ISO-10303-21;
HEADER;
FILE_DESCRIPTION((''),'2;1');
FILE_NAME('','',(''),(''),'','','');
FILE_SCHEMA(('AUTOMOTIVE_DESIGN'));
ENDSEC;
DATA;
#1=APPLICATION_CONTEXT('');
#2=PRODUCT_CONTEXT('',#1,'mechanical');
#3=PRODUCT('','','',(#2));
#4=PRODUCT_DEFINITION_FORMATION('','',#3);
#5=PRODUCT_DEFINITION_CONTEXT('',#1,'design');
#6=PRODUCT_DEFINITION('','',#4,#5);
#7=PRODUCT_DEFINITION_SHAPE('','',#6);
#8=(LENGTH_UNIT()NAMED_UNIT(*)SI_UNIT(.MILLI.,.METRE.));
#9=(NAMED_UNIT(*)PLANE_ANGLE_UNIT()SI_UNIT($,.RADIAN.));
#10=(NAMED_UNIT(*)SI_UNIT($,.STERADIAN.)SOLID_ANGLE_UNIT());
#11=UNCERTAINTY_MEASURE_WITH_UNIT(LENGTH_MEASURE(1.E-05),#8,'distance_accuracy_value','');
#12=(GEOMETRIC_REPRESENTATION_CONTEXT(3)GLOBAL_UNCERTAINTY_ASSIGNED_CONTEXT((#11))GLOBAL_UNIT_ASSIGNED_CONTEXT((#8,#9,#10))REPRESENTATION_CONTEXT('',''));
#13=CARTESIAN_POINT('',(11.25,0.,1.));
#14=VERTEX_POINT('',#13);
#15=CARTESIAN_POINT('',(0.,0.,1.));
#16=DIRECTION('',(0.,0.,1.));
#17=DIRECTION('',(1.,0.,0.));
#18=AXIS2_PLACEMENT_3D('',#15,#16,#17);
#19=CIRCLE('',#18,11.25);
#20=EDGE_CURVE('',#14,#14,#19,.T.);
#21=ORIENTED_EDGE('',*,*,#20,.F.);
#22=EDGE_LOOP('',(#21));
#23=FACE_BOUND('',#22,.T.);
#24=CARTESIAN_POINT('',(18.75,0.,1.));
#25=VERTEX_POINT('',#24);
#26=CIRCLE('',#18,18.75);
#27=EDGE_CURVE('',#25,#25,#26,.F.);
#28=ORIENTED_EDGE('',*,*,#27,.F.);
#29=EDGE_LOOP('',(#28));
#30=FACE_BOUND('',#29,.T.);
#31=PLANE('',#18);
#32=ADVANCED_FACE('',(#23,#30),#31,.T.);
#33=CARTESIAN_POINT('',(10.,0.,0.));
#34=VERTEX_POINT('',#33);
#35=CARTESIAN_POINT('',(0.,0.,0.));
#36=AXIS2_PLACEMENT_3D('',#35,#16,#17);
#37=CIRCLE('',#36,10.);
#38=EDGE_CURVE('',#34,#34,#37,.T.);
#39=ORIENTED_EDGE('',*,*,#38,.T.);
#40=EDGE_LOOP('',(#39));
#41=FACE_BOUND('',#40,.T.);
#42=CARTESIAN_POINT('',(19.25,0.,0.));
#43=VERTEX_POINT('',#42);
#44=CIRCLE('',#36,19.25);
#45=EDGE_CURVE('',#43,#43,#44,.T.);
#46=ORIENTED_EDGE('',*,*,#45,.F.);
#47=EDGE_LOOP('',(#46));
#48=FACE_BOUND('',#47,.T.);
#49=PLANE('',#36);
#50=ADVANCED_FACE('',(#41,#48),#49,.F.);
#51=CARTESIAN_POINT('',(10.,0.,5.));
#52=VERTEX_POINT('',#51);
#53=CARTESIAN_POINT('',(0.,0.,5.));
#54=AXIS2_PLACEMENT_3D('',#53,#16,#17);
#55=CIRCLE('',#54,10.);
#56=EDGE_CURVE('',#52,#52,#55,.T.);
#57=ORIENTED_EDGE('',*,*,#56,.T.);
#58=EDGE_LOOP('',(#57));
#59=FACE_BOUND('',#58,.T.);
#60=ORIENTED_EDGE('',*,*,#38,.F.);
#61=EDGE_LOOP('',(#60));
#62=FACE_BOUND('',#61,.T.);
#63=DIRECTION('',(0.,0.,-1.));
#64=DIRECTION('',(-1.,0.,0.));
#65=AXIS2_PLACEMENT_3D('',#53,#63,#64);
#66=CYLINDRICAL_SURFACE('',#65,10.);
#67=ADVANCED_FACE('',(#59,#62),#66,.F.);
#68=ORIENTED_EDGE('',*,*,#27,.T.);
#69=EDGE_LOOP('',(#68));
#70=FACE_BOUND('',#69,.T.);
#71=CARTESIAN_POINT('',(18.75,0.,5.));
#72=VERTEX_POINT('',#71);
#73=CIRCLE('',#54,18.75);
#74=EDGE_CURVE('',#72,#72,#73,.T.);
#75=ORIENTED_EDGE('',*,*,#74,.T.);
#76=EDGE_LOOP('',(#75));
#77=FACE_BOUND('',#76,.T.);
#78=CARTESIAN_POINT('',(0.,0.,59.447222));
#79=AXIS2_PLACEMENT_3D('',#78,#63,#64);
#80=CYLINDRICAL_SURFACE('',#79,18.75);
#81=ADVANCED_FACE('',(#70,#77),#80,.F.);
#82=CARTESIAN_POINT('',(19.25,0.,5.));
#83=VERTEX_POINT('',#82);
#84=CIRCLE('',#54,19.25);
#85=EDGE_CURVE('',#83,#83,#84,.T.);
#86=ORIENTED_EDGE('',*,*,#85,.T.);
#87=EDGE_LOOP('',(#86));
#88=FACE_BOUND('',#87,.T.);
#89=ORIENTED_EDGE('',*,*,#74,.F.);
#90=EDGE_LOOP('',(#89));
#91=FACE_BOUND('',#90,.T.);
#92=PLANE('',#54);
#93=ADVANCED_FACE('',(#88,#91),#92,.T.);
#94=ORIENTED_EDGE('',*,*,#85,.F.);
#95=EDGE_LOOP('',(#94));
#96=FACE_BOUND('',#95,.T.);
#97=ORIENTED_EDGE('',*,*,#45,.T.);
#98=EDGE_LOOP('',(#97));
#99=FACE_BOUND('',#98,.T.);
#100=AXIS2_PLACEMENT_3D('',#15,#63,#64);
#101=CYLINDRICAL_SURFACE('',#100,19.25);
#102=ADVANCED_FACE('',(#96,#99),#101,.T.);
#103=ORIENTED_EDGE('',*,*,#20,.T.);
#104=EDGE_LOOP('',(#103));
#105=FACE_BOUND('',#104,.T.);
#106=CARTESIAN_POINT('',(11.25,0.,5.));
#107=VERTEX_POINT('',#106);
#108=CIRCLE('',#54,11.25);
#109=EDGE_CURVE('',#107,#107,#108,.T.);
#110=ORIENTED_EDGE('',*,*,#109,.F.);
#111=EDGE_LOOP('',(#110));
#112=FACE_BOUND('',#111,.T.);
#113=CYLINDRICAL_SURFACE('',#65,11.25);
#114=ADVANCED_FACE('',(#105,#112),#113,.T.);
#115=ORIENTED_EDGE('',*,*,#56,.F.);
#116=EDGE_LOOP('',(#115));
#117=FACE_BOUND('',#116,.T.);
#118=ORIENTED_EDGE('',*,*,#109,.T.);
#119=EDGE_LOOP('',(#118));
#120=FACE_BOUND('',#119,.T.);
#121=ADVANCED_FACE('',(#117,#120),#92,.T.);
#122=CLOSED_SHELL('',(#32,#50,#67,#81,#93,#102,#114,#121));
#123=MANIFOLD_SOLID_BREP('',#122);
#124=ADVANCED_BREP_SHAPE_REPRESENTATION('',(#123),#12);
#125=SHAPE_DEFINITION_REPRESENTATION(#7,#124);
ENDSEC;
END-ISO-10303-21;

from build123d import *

# Parameters (mm, degrees)
SKETCH1_R           = 19.25
BOSS_EXTRUDE1_DEPTH = 1
SKETCH2_R           = 11.25
SKETCH2_R_2         = 10
BOSS_EXTRUDE2_DEPTH = 4
SKETCH3_R           = 19.25
SKETCH3_R_2         = 18.75
BOSS_EXTRUDE3_DEPTH = 4
SKETCH5_R           = 10
CUT_EXTRUDE1_DEPTH  = 5


with BuildPart() as part:
    # Sketch1 → Boss-Extrude1 (new body)
    with BuildSketch(Plane.XY):
        Circle(SKETCH1_R)
    extrude(amount=BOSS_EXTRUDE1_DEPTH)

    # Sketch2 → Boss-Extrude2 (add)
    with BuildSketch(Plane.XY.offset(1)):
        Circle(SKETCH2_R)
        Circle(SKETCH2_R_2, mode=Mode.SUBTRACT)
    extrude(amount=BOSS_EXTRUDE2_DEPTH)

    # Sketch3 → Boss-Extrude3 (add)
    with BuildSketch(Plane.XY.offset(1)):
        Circle(SKETCH3_R)
        Circle(SKETCH3_R_2, mode=Mode.SUBTRACT)
    extrude(amount=BOSS_EXTRUDE3_DEPTH)

    # Sketch5 → Cut-Extrude1 (cut)
    with BuildSketch(Plane.XY.offset(1)):
        Circle(SKETCH5_R)
    extrude(amount=-CUT_EXTRUDE1_DEPTH, mode=Mode.SUBTRACT)


solid = part.part
